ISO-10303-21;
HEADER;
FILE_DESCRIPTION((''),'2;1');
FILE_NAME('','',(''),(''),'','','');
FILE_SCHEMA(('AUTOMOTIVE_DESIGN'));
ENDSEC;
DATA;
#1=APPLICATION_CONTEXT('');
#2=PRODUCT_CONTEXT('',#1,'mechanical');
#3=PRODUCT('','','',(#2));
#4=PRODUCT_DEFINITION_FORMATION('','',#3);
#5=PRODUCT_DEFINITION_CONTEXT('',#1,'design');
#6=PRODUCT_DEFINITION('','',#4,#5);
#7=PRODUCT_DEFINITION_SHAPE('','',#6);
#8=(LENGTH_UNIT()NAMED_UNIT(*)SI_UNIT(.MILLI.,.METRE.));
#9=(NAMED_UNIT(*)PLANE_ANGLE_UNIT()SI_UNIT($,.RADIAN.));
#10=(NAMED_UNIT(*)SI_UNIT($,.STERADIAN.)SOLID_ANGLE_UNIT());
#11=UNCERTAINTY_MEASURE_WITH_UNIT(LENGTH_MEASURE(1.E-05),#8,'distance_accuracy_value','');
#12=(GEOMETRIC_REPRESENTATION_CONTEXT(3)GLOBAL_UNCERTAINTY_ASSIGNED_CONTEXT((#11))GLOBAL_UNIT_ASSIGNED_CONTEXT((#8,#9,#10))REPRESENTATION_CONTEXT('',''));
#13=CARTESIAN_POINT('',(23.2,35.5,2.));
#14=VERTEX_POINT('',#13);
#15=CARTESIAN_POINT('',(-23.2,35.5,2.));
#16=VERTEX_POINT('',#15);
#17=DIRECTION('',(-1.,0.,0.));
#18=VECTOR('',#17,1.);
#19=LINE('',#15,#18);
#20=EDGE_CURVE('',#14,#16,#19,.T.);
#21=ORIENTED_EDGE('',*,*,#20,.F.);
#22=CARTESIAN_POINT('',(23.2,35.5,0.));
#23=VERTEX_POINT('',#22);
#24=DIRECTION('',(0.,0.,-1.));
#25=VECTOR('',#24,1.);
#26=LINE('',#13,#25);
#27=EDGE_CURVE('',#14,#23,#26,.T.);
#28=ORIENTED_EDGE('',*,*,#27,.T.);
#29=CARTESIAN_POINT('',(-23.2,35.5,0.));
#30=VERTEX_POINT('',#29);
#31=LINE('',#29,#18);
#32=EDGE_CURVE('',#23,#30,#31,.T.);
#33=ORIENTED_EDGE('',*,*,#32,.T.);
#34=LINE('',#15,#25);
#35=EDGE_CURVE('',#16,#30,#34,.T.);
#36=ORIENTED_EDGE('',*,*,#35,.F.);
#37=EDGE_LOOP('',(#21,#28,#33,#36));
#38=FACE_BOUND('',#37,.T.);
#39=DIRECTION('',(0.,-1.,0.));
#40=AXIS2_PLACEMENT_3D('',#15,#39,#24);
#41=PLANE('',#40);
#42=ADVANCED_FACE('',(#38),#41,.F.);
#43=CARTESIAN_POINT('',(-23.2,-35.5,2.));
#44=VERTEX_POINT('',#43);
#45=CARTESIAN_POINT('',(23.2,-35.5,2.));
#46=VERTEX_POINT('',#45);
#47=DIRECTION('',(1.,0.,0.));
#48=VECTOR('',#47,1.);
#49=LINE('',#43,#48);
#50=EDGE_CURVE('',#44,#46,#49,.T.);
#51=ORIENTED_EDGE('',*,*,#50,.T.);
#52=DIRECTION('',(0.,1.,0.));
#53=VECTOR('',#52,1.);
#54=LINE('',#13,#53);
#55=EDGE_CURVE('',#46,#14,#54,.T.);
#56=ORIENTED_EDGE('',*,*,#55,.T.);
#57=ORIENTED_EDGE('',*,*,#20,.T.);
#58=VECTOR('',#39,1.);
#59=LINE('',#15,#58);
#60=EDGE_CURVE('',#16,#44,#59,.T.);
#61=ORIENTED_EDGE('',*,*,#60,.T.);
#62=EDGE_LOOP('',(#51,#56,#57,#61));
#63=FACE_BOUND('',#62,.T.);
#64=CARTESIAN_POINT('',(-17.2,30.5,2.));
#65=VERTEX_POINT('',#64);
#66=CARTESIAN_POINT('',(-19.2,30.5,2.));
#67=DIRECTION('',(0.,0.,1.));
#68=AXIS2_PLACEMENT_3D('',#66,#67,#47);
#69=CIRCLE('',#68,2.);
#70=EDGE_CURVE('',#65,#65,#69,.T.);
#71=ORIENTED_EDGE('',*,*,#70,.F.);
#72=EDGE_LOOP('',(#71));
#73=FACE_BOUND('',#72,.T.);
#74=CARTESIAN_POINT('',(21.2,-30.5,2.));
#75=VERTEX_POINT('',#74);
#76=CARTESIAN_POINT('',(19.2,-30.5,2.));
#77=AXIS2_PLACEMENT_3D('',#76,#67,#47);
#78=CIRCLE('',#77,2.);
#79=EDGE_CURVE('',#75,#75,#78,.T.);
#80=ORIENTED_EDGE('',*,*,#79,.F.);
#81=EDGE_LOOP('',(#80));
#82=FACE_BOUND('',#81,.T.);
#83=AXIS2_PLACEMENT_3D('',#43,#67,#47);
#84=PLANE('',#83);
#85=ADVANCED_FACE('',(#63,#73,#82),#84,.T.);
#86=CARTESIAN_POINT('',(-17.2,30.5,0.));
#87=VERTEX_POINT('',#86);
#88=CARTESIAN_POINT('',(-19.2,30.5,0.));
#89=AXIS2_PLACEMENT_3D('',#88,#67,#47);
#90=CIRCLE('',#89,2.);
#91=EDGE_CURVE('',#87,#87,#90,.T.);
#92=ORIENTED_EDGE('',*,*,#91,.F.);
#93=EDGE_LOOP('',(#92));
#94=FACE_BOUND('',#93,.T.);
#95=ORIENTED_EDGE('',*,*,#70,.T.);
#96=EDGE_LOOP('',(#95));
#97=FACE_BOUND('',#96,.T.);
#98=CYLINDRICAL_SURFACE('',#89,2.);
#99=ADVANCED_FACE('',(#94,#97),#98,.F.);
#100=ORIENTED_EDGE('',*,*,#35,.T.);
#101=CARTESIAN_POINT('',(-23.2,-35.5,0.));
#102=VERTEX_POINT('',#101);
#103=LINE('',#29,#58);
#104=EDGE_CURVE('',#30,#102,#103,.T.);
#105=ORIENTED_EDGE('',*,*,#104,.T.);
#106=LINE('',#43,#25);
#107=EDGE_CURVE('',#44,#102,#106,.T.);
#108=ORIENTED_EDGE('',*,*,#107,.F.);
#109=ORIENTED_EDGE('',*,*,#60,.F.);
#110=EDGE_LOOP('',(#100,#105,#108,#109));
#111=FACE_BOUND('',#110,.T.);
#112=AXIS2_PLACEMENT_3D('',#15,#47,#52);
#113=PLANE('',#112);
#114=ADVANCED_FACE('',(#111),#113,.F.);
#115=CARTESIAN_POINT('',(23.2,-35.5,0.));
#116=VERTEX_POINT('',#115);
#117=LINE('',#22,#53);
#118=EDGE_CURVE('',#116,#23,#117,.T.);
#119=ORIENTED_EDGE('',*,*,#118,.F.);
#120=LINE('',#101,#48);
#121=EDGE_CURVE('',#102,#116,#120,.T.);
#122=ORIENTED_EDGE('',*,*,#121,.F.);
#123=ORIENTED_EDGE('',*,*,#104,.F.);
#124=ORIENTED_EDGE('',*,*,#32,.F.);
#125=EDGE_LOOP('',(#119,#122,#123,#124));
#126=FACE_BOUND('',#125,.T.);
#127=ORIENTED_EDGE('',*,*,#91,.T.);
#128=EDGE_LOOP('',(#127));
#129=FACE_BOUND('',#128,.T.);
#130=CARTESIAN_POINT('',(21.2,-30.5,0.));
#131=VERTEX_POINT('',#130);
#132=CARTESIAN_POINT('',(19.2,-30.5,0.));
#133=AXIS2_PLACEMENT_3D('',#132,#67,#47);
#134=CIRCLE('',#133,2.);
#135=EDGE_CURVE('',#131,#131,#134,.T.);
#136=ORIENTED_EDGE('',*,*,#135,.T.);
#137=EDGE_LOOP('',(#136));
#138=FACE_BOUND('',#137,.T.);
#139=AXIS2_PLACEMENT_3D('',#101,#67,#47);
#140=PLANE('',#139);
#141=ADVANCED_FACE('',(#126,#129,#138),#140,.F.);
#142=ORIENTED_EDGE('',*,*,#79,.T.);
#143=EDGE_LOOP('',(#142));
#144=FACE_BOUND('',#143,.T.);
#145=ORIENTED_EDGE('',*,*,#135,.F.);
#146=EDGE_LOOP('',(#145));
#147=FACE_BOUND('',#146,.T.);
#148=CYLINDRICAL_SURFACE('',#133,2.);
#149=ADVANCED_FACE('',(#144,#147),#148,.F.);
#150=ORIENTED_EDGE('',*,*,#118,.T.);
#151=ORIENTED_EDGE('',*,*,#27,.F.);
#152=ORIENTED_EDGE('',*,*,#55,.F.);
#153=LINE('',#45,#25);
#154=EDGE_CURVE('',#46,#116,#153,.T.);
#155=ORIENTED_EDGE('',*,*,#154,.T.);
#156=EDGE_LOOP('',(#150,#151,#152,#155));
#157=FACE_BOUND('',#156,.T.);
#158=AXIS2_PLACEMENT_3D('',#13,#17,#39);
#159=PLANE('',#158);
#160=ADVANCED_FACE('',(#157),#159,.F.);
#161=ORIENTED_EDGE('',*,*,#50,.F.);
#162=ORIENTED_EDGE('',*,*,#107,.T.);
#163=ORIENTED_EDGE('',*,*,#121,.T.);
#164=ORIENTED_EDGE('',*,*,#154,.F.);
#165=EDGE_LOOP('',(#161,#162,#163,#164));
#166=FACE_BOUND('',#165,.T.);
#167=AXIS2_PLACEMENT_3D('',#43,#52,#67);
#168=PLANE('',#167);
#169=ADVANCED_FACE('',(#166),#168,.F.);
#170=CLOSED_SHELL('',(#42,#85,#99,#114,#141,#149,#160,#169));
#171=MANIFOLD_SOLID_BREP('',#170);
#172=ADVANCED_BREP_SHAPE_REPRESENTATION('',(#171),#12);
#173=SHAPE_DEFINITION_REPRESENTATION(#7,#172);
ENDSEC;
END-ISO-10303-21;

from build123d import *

# Parameters (mm, degrees)
ESQUISSE1_W             = 46.4
ESQUISSE1_H             = 71
EXTRUSION1_DEPTH        = 2
ESQUISSE2_R             = 2
ENL_V_MAT_EXTRU_1_DEPTH = 3


with BuildPart() as part:
    # Esquisse1 → Extrusion1 (new body)
    with BuildSketch(Plane.XY):
        Rectangle(ESQUISSE1_W, ESQUISSE1_H)
    extrude(amount=EXTRUSION1_DEPTH)

    # Esquisse2 → Enlèv. mat.-Extru.1 (cut, through all)
    with BuildSketch(Plane.XY.offset(2)):
        with Locations((-19.2, 30.5)):
            Circle(ESQUISSE2_R)
        with Locations((19.2, -30.5)):
            Circle(ESQUISSE2_R)
    extrude(amount=-ENL_V_MAT_EXTRU_1_DEPTH, mode=Mode.SUBTRACT)


solid = part.part
